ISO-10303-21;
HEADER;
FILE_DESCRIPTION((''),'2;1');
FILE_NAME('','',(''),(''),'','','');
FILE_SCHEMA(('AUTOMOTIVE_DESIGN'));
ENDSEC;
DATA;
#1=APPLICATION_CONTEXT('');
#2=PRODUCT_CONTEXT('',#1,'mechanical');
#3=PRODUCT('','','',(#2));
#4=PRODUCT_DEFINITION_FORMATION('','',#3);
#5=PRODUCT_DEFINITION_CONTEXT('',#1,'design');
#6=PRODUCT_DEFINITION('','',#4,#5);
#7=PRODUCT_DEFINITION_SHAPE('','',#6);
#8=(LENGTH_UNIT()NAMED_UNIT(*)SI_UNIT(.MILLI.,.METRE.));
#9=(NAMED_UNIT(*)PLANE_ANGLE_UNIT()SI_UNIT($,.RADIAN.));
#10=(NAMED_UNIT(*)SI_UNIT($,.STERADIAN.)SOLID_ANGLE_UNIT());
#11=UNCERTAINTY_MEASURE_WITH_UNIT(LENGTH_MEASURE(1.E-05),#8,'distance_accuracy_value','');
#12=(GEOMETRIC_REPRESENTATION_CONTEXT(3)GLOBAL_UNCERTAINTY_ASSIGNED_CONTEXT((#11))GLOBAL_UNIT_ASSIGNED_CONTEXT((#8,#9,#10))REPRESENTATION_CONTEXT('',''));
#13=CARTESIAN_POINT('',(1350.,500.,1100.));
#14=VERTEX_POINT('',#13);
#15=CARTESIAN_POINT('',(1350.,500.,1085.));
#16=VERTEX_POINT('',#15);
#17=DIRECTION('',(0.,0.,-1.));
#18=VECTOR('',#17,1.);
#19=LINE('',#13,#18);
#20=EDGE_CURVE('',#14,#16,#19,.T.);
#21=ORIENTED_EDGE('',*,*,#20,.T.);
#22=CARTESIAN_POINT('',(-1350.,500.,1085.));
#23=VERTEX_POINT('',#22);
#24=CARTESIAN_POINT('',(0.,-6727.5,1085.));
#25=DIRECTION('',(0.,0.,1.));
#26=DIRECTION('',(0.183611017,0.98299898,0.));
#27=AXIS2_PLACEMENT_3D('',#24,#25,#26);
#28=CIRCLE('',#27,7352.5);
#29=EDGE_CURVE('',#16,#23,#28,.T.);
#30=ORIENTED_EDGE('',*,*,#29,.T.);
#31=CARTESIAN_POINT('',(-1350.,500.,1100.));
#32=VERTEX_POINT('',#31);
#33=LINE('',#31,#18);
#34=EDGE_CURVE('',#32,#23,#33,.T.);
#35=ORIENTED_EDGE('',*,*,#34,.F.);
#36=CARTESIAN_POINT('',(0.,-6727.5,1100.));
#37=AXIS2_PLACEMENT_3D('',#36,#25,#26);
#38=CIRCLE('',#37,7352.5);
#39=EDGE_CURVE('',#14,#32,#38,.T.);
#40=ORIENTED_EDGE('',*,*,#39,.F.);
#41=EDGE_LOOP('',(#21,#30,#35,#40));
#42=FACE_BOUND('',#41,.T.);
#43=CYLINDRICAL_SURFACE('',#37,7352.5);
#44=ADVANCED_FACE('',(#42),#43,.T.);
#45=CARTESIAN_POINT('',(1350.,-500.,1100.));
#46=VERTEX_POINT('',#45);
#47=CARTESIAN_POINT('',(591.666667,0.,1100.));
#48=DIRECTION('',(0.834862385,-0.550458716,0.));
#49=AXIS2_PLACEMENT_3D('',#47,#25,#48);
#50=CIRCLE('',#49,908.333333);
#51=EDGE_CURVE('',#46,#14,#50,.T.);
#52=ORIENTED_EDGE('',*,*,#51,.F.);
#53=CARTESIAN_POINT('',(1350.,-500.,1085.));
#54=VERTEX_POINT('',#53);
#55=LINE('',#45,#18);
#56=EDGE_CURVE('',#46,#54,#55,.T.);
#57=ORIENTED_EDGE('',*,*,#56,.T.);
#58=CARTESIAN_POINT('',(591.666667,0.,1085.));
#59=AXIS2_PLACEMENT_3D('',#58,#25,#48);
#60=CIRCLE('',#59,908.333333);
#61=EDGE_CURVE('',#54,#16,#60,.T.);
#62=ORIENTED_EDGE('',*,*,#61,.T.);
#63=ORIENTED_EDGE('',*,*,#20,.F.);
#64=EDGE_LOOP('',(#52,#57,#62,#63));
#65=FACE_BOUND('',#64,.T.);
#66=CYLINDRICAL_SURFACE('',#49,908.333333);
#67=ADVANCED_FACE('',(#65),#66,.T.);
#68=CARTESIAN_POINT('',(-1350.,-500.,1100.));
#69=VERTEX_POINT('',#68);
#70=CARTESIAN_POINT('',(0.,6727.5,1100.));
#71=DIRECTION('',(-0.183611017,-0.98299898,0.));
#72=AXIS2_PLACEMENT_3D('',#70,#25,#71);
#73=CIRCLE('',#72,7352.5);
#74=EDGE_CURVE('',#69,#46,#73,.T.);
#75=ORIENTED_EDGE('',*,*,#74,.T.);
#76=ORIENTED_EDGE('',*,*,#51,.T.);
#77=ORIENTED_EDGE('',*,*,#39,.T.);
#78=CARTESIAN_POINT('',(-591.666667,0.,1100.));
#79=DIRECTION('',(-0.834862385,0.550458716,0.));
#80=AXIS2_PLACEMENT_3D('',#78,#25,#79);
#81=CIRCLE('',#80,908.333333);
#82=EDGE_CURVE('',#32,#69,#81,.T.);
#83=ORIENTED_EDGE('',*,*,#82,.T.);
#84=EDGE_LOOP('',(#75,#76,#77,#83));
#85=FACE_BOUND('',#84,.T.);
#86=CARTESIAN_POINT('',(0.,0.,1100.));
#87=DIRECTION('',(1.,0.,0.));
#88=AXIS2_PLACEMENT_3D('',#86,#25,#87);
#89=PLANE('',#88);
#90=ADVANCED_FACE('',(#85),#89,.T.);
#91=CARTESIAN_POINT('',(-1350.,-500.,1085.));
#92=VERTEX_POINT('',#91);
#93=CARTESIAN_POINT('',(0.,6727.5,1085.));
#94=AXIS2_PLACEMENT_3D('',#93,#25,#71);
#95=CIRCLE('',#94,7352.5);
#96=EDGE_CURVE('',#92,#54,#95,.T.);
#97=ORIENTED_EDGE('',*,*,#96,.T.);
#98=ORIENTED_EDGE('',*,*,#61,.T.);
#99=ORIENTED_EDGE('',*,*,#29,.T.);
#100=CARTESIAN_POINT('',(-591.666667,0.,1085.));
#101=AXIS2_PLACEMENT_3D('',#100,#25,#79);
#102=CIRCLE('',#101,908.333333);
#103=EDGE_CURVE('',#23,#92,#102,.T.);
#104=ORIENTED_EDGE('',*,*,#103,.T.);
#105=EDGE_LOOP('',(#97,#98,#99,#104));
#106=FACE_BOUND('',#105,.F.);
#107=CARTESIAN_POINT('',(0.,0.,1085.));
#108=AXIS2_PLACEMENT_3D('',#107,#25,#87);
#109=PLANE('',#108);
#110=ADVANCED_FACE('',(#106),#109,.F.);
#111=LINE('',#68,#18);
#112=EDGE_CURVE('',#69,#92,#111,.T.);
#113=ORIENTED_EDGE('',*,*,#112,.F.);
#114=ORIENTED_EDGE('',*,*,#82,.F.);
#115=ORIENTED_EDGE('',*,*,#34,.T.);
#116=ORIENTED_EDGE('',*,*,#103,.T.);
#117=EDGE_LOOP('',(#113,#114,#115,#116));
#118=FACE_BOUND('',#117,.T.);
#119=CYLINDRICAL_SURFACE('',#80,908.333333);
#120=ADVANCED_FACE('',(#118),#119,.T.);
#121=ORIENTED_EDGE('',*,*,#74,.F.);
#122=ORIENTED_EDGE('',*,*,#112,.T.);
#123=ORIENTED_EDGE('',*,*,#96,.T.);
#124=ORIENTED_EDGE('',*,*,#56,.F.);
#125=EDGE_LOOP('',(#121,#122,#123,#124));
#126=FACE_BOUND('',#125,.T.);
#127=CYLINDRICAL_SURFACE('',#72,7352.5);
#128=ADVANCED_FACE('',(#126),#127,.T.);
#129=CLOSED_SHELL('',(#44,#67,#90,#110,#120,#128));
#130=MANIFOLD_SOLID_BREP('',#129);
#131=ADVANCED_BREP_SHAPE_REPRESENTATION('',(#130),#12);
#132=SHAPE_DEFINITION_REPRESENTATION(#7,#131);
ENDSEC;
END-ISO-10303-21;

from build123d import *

# Parameters (mm, degrees)
F2_DEPTH = 15


with BuildPart() as f2:
    # F1 (on offset) → F2 (new body)
    with BuildSketch(Plane.XY.offset(1100)):
        with BuildLine():
            ThreePointArc((1350, -500), (1500, 0), (1350, 500))
            ThreePointArc((1350, 500), (0, 625), (-1350, 500))
            ThreePointArc((-1350, 500), (-1500, 0), (-1350, -500))
            ThreePointArc((-1350, -500), (0, -625), (1350, -500))
        make_face()
    extrude(amount=-F2_DEPTH)


solid = f2.part
